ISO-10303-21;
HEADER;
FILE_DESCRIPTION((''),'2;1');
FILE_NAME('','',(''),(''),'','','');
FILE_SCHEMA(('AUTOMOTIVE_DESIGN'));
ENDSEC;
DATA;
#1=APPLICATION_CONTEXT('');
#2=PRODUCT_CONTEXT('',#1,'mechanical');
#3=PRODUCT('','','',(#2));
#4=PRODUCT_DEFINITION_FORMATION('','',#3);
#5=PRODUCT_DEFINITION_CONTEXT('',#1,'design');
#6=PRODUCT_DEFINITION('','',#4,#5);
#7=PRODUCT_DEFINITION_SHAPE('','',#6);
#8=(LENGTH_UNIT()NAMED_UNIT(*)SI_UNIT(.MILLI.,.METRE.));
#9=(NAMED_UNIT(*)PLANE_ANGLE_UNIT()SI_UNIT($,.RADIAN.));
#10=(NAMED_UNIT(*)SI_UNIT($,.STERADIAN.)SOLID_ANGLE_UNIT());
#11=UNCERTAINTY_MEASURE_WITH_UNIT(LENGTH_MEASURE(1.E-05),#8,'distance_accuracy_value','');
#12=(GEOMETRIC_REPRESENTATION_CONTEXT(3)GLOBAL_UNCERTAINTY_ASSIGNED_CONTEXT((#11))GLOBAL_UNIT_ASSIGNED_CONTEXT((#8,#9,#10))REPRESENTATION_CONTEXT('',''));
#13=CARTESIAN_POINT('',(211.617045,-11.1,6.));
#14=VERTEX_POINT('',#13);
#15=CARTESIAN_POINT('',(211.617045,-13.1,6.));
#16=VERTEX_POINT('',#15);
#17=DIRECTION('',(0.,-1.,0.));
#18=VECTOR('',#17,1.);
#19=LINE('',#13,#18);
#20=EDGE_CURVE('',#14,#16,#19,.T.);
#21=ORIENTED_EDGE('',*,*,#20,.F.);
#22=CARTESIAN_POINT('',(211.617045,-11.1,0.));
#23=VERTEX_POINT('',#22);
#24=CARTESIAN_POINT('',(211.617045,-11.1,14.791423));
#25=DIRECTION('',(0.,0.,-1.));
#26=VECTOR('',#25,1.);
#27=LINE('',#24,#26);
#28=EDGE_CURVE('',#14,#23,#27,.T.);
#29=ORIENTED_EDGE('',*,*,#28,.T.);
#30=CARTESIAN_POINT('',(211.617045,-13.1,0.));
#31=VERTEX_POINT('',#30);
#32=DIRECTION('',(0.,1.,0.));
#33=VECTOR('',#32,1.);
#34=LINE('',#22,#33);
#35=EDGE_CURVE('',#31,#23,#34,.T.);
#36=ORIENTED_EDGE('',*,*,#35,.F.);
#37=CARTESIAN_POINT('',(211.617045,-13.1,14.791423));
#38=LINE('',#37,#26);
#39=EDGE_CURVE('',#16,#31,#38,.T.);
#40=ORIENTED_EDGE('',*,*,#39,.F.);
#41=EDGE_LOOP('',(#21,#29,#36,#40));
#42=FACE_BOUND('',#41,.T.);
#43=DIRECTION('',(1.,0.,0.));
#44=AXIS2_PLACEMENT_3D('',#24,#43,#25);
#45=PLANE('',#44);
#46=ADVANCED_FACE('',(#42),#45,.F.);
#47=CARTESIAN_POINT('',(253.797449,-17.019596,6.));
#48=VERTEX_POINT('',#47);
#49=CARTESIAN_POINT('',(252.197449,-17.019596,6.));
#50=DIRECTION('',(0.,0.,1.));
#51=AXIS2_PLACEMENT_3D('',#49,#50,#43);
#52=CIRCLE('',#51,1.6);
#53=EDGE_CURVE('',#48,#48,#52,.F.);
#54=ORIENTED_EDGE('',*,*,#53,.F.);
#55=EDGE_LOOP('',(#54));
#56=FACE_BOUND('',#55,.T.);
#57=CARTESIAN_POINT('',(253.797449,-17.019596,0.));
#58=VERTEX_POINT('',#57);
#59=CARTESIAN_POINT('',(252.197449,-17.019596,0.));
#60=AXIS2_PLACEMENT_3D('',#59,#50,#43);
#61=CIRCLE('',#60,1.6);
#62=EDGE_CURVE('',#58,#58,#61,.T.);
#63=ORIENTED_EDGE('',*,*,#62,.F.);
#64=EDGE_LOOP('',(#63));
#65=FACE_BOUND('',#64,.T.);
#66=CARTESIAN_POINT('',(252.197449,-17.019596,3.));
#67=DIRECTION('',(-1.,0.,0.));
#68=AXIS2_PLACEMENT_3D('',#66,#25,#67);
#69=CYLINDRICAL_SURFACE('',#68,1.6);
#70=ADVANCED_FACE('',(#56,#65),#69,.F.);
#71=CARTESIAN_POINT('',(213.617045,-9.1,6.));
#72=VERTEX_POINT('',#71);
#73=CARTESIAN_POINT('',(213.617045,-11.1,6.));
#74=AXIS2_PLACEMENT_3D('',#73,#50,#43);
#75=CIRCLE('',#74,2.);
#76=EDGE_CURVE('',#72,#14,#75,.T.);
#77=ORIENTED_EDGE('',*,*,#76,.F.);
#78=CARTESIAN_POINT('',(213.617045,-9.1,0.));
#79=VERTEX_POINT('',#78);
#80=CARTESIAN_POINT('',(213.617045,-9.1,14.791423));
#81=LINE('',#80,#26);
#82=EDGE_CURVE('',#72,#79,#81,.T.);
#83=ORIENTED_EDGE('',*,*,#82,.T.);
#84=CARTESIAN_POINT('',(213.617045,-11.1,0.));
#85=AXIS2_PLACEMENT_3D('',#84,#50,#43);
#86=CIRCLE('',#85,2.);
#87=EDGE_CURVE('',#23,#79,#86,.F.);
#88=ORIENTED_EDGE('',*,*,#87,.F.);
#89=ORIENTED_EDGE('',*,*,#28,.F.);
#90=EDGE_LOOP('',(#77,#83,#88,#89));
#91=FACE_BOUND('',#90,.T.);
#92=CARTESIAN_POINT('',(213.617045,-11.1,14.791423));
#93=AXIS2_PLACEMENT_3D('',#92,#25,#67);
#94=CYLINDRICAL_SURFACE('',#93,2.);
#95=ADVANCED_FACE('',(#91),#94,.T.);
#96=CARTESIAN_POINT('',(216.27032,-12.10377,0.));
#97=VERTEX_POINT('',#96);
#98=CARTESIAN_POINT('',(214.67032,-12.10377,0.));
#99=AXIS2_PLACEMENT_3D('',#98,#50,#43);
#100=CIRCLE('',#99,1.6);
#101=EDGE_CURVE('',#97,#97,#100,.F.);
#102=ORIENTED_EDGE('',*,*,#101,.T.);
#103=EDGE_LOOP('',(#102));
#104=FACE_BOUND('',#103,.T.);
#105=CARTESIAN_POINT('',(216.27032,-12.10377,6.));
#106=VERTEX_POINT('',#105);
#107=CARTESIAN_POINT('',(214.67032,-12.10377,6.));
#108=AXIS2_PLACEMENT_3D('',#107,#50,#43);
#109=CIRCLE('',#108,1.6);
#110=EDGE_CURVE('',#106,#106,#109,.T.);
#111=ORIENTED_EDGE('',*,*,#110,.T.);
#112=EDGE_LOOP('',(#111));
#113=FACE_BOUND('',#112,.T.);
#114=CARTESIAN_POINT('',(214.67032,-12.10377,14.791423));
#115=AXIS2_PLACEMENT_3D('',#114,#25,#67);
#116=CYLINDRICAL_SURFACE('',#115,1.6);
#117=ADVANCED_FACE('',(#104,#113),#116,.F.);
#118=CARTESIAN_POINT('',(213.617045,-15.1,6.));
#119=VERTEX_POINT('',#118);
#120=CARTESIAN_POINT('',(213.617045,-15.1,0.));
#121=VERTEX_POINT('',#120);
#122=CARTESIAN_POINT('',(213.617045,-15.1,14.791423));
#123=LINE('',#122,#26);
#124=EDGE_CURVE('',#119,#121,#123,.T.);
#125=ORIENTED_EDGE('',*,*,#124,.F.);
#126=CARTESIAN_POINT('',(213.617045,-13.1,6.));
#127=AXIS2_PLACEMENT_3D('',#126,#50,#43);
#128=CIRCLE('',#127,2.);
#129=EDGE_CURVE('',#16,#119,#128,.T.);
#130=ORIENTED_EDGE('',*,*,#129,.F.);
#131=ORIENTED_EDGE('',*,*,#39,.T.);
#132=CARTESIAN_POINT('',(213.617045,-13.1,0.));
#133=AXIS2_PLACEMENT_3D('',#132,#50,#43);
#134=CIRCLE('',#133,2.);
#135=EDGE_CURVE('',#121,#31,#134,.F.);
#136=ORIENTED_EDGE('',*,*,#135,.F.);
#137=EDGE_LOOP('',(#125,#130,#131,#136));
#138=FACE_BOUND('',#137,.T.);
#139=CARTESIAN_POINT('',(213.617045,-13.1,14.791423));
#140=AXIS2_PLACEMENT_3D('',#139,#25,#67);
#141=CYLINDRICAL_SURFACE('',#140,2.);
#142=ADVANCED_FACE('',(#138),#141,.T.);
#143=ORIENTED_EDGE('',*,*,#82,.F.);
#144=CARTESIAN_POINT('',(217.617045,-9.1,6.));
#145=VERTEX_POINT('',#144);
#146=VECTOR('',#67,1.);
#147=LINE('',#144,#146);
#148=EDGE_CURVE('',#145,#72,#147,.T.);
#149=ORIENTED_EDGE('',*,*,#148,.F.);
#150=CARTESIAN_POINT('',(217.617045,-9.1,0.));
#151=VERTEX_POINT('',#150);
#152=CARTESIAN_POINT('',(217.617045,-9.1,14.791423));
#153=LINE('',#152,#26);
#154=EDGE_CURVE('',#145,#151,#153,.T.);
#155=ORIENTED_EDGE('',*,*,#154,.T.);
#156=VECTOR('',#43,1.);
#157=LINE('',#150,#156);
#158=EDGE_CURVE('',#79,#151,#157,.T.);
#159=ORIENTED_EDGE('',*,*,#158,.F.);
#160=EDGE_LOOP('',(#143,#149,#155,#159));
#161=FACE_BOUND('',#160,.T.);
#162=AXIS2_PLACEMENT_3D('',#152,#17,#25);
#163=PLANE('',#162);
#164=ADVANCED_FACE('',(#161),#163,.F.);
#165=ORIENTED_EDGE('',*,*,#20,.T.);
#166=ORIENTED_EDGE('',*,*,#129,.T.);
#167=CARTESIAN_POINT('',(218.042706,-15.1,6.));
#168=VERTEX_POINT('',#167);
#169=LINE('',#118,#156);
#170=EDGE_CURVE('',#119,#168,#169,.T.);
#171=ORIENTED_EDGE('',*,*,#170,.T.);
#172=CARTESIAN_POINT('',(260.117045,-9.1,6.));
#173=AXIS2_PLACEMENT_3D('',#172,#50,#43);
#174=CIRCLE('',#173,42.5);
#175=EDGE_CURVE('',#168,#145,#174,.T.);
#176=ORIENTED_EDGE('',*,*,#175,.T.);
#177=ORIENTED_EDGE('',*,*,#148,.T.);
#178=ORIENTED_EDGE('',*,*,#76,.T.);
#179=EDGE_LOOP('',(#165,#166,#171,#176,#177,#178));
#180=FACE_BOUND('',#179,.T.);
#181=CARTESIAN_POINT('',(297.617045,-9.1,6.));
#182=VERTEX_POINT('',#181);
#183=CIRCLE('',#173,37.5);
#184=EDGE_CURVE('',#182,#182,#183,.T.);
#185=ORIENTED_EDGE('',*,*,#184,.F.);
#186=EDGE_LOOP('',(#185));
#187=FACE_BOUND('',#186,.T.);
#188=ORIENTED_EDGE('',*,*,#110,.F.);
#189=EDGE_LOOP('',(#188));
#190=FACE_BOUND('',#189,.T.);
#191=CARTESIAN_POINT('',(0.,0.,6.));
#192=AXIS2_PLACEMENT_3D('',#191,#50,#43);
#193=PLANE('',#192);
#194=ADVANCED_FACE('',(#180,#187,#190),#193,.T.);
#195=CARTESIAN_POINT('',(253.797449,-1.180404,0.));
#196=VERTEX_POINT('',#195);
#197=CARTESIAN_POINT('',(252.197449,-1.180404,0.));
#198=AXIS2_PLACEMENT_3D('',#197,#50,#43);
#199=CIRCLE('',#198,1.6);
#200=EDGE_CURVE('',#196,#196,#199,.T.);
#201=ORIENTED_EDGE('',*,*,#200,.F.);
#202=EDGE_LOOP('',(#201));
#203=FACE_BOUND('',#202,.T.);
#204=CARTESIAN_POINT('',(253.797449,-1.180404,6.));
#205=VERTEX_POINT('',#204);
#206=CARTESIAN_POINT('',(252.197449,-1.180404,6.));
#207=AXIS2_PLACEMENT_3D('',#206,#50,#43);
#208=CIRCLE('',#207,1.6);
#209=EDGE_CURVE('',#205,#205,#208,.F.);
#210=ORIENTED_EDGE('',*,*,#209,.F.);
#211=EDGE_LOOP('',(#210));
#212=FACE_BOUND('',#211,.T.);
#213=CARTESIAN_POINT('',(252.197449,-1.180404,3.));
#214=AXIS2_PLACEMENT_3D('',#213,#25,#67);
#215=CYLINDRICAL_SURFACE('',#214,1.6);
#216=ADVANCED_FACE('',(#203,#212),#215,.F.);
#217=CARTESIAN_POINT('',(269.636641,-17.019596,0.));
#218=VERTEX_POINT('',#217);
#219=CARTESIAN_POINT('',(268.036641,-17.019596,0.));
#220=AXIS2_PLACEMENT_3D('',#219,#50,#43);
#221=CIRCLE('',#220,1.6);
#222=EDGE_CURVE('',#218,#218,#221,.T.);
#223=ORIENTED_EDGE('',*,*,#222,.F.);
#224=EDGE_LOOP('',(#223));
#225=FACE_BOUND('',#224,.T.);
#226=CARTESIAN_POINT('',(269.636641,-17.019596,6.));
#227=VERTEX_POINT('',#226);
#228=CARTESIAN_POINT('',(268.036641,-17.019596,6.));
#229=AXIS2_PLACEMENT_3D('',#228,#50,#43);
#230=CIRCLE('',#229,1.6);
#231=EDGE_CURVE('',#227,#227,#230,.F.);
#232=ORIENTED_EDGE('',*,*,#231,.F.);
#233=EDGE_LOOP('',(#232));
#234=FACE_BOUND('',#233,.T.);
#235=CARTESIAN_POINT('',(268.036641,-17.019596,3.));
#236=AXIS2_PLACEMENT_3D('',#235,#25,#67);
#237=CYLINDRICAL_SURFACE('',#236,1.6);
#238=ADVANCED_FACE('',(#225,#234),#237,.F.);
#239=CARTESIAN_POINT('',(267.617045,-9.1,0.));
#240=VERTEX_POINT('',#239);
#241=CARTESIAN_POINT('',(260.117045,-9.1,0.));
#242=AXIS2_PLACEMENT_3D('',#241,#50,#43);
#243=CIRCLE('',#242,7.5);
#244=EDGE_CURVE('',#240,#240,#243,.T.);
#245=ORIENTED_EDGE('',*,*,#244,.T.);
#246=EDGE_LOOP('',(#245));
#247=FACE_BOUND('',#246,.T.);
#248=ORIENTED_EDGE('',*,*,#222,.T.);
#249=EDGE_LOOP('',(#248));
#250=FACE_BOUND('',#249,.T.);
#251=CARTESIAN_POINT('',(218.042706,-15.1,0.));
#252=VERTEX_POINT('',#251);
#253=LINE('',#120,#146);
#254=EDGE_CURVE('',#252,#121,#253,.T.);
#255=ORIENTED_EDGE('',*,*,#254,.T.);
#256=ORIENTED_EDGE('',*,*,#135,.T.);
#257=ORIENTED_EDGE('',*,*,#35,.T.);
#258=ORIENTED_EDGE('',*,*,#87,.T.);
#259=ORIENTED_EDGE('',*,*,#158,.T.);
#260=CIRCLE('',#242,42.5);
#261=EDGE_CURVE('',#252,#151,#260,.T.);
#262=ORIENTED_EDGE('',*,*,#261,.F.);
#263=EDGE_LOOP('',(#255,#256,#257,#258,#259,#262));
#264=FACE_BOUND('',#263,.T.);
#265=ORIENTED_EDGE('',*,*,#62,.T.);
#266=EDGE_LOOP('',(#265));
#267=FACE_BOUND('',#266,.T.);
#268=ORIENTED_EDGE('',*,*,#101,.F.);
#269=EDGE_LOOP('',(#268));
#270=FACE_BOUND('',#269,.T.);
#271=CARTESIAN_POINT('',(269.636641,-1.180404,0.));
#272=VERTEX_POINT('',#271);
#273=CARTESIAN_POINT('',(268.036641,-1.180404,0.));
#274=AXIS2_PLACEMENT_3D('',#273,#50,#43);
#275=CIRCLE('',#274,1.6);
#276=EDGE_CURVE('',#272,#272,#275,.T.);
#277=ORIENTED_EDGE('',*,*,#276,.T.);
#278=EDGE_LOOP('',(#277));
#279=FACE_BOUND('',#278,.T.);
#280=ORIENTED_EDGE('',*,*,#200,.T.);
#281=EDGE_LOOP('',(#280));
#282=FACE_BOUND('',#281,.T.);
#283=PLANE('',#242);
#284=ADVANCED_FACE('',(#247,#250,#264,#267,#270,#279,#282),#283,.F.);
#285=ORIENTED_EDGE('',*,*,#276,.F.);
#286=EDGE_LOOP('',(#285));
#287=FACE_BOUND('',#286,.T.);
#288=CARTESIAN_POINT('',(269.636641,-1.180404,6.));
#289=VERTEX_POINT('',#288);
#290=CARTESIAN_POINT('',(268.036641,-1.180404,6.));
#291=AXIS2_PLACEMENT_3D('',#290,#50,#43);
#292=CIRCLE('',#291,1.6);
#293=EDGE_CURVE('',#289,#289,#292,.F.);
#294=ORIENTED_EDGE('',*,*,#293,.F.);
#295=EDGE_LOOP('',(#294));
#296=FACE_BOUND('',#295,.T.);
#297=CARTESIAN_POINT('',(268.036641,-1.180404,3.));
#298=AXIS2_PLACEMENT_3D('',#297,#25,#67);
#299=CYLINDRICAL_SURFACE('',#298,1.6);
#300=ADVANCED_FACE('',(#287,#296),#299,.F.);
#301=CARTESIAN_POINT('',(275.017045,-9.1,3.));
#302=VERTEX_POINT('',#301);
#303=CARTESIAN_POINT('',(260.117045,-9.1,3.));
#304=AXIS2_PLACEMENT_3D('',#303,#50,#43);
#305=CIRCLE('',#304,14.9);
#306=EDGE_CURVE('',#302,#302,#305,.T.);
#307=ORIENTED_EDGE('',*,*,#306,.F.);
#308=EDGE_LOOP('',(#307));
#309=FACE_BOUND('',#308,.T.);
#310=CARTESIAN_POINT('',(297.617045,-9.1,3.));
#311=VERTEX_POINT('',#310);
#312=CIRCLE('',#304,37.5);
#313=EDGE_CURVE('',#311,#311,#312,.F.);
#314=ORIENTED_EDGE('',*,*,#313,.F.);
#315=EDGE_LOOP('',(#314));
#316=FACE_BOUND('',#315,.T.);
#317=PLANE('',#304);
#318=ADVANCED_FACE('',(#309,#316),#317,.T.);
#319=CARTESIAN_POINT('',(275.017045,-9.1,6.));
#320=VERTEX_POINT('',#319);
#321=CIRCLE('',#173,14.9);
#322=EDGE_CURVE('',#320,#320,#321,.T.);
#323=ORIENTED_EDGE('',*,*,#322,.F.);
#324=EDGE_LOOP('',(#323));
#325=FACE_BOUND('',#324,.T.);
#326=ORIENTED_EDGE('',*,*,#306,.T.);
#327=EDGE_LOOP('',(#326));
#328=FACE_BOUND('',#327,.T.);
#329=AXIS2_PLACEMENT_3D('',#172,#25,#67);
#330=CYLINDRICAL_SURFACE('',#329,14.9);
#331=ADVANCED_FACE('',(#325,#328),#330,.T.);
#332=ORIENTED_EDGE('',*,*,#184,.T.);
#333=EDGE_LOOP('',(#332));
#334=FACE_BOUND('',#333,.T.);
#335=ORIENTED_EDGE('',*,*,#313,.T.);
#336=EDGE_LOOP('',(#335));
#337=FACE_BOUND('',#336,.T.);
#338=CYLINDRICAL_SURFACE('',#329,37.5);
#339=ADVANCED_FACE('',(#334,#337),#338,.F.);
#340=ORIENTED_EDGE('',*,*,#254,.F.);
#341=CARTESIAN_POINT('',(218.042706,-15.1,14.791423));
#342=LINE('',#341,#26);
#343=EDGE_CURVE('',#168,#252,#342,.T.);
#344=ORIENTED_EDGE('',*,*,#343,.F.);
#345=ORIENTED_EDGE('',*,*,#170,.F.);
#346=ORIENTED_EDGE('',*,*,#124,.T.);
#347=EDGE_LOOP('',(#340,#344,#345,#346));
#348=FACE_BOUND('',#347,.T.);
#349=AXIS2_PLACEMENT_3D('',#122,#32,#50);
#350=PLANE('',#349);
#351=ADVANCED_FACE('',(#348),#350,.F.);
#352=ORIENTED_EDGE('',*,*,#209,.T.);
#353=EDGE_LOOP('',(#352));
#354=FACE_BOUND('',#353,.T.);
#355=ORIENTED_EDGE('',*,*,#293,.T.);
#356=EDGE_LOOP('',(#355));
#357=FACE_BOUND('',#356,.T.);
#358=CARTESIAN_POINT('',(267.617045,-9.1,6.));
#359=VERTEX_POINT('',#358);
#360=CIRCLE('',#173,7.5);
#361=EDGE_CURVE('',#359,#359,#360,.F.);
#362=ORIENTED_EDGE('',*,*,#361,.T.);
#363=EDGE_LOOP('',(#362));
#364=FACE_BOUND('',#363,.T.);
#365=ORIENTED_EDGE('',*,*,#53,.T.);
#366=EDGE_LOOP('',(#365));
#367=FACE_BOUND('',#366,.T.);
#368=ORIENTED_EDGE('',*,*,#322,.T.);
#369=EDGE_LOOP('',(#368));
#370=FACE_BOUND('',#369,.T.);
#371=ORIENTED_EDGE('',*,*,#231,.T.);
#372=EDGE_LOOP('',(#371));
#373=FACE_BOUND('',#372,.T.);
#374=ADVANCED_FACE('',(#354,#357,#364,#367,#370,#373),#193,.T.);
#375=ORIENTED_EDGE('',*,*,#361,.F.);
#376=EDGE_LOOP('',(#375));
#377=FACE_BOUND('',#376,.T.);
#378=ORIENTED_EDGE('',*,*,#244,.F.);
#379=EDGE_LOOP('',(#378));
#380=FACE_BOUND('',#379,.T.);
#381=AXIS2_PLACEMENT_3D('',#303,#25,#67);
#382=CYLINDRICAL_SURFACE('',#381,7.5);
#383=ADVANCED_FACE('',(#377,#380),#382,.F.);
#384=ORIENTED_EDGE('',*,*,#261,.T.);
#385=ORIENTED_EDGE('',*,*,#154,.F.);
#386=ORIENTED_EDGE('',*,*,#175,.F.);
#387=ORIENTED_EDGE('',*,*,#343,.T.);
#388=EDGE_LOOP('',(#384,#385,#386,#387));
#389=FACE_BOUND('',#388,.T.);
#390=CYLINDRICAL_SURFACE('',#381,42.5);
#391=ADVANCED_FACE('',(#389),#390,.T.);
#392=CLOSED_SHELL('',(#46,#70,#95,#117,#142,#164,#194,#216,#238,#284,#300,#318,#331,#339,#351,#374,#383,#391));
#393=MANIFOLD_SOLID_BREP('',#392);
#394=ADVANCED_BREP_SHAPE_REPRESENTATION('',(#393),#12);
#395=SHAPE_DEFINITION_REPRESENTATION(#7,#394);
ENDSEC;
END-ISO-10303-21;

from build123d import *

# Parameters (mm, degrees)
SKETCH1_R                       = 42.5
SKETCH1_R_2                     = 1.6
SKETCH1_R_3                     = 7.5
BOSS_EXTRUDE1_DEPTH             = 3
SKETCH3_R                       = 42.5
SKETCH3_R_2                     = 37.5
SKETCH3_R_3                     = 14.9
SKETCH3_R_4                     = 1.6
SKETCH3_R_5                     = 7.5
BOSS_EXTRUDE2_DEPTH             = 3
BOSS_EXTRUDE3_REACH             = 308.999
SKETCH4_R                       = 1.6
BOSS_EXTRUDE3_DIRECTION_2_REACH = 308.999


with BuildPart() as part:
    # Sketch1 → Boss-Extrude1 (new body)
    with BuildSketch(Plane.XY):
        with Locations((260.117045421, -9.1)):
            Circle(SKETCH1_R)
        with Locations((252.197449472, -1.180404051)):
            Circle(SKETCH1_R_2, mode=Mode.SUBTRACT)
        with Locations((268.036641371, -1.180404051)):
            Circle(SKETCH1_R_2, mode=Mode.SUBTRACT)
        with Locations((252.197449472, -17.019595949)):
            Circle(SKETCH1_R_2, mode=Mode.SUBTRACT)
        with Locations((268.036641371, -17.019595949)):
            Circle(SKETCH1_R_2, mode=Mode.SUBTRACT)
        with Locations((260.117045421, -9.1)):
            Circle(SKETCH1_R_3, mode=Mode.SUBTRACT)
    extrude(amount=BOSS_EXTRUDE1_DEPTH)

    # Sketch3 → Boss-Extrude2 (add)
    # profile 1 of 2: a face of its own
    with BuildSketch(Plane.XY.offset(3)):
        with Locations((260.117045421, -9.1)):
            Circle(SKETCH3_R)
        with Locations((260.117045421, -9.1)):
            Circle(SKETCH3_R_2, mode=Mode.SUBTRACT)
    # profile 2 of 2: a face of its own
    with BuildSketch(Plane.XY.offset(3)):
        with Locations((260.117045421, -9.1)):
            Circle(SKETCH3_R_3)
        with Locations((252.197449472, -17.019595949)):
            Circle(SKETCH3_R_4, mode=Mode.SUBTRACT)
        with Locations((268.036641371, -1.180404051)):
            Circle(SKETCH3_R_4, mode=Mode.SUBTRACT)
        with Locations((268.036641371, -17.019595949)):
            Circle(SKETCH3_R_4, mode=Mode.SUBTRACT)
        with Locations((260.117045421, -9.1)):
            Circle(SKETCH3_R_5, mode=Mode.SUBTRACT)
        with Locations((252.197449472, -1.180404051)):
            Circle(SKETCH3_R_4, mode=Mode.SUBTRACT)
    extrude(amount=BOSS_EXTRUDE2_DEPTH)

    # Boss-Extrude3: up to this face of the body (flat: up to its plane)
    boss_extrude3_end = Plane(part.part.faces().sort_by_distance((218.819126949, -9.1, 6))[0])
    # Sketch4 → Boss-Extrude3 (add, up to the picked face)
    with BuildSketch(Plane.XY.offset(3), mode=Mode.PRIVATE) as boss_extrude3_sk1:
        with BuildLine():
            Line((217.617045421, -9.1), (213.617045421, -9.1))
            ThreePointArc((213.617045421, -9.1), (212.202831859, -9.685786438), (211.617045421, -11.1))
            Line((211.617045421, -11.1), (211.617045421, -13.1))
            ThreePointArc((211.617045421, -13.1), (212.202831859, -14.514213562), (213.617045421, -15.1))
            Line((213.617045421, -15.1), (218.042706448, -15.1))
            ThreePointArc((218.042706448, -15.1), (217.723594239, -12.107539996), (217.617045421, -9.1))
        make_face()
        with Locations((214.67031983, -12.103769998)):
            Circle(SKETCH4_R, mode=Mode.SUBTRACT)
    boss_extrude3_tool1 = split(extrude(boss_extrude3_sk1.sketch, amount=BOSS_EXTRUDE3_REACH, mode=Mode.PRIVATE), bisect_by=boss_extrude3_end, keep=Keep.BOTH, mode=Mode.PRIVATE)
    add(boss_extrude3_tool1.solids().sort_by(Axis((215.617045, -9.187914, 3), (0, 0, 1)))[0])

    # Boss-Extrude3 direction 2: up to this face of the body (flat: up to its plane)
    boss_extrude3_direction_2_end = Plane(part.part.faces().sort_by_distance((218.819126949, -9.1, 0))[0])
    # Sketch4 → Boss-Extrude3 direction 2 (add, up to the picked face)
    with BuildSketch(Plane.XY.offset(3), mode=Mode.PRIVATE) as boss_extrude3_direction_2_sk1:
        with BuildLine():
            Line((217.617045421, -9.1), (213.617045421, -9.1))
            ThreePointArc((213.617045421, -9.1), (212.202831859, -9.685786438), (211.617045421, -11.1))
            Line((211.617045421, -11.1), (211.617045421, -13.1))
            ThreePointArc((211.617045421, -13.1), (212.202831859, -14.514213562), (213.617045421, -15.1))
            Line((213.617045421, -15.1), (218.042706448, -15.1))
            ThreePointArc((218.042706448, -15.1), (217.723594239, -12.107539996), (217.617045421, -9.1))
        make_face()
        with Locations((214.67031983, -12.103769998)):
            Circle(SKETCH4_R, mode=Mode.SUBTRACT)
    boss_extrude3_direction_2_tool1 = split(extrude(boss_extrude3_direction_2_sk1.sketch, amount=-BOSS_EXTRUDE3_DIRECTION_2_REACH, mode=Mode.PRIVATE), bisect_by=boss_extrude3_direction_2_end, keep=Keep.BOTH, mode=Mode.PRIVATE)
    add(boss_extrude3_direction_2_tool1.solids().sort_by(Axis((215.617045, -9.187914, 3), (0, 0, -1)))[0])


solid = part.part
